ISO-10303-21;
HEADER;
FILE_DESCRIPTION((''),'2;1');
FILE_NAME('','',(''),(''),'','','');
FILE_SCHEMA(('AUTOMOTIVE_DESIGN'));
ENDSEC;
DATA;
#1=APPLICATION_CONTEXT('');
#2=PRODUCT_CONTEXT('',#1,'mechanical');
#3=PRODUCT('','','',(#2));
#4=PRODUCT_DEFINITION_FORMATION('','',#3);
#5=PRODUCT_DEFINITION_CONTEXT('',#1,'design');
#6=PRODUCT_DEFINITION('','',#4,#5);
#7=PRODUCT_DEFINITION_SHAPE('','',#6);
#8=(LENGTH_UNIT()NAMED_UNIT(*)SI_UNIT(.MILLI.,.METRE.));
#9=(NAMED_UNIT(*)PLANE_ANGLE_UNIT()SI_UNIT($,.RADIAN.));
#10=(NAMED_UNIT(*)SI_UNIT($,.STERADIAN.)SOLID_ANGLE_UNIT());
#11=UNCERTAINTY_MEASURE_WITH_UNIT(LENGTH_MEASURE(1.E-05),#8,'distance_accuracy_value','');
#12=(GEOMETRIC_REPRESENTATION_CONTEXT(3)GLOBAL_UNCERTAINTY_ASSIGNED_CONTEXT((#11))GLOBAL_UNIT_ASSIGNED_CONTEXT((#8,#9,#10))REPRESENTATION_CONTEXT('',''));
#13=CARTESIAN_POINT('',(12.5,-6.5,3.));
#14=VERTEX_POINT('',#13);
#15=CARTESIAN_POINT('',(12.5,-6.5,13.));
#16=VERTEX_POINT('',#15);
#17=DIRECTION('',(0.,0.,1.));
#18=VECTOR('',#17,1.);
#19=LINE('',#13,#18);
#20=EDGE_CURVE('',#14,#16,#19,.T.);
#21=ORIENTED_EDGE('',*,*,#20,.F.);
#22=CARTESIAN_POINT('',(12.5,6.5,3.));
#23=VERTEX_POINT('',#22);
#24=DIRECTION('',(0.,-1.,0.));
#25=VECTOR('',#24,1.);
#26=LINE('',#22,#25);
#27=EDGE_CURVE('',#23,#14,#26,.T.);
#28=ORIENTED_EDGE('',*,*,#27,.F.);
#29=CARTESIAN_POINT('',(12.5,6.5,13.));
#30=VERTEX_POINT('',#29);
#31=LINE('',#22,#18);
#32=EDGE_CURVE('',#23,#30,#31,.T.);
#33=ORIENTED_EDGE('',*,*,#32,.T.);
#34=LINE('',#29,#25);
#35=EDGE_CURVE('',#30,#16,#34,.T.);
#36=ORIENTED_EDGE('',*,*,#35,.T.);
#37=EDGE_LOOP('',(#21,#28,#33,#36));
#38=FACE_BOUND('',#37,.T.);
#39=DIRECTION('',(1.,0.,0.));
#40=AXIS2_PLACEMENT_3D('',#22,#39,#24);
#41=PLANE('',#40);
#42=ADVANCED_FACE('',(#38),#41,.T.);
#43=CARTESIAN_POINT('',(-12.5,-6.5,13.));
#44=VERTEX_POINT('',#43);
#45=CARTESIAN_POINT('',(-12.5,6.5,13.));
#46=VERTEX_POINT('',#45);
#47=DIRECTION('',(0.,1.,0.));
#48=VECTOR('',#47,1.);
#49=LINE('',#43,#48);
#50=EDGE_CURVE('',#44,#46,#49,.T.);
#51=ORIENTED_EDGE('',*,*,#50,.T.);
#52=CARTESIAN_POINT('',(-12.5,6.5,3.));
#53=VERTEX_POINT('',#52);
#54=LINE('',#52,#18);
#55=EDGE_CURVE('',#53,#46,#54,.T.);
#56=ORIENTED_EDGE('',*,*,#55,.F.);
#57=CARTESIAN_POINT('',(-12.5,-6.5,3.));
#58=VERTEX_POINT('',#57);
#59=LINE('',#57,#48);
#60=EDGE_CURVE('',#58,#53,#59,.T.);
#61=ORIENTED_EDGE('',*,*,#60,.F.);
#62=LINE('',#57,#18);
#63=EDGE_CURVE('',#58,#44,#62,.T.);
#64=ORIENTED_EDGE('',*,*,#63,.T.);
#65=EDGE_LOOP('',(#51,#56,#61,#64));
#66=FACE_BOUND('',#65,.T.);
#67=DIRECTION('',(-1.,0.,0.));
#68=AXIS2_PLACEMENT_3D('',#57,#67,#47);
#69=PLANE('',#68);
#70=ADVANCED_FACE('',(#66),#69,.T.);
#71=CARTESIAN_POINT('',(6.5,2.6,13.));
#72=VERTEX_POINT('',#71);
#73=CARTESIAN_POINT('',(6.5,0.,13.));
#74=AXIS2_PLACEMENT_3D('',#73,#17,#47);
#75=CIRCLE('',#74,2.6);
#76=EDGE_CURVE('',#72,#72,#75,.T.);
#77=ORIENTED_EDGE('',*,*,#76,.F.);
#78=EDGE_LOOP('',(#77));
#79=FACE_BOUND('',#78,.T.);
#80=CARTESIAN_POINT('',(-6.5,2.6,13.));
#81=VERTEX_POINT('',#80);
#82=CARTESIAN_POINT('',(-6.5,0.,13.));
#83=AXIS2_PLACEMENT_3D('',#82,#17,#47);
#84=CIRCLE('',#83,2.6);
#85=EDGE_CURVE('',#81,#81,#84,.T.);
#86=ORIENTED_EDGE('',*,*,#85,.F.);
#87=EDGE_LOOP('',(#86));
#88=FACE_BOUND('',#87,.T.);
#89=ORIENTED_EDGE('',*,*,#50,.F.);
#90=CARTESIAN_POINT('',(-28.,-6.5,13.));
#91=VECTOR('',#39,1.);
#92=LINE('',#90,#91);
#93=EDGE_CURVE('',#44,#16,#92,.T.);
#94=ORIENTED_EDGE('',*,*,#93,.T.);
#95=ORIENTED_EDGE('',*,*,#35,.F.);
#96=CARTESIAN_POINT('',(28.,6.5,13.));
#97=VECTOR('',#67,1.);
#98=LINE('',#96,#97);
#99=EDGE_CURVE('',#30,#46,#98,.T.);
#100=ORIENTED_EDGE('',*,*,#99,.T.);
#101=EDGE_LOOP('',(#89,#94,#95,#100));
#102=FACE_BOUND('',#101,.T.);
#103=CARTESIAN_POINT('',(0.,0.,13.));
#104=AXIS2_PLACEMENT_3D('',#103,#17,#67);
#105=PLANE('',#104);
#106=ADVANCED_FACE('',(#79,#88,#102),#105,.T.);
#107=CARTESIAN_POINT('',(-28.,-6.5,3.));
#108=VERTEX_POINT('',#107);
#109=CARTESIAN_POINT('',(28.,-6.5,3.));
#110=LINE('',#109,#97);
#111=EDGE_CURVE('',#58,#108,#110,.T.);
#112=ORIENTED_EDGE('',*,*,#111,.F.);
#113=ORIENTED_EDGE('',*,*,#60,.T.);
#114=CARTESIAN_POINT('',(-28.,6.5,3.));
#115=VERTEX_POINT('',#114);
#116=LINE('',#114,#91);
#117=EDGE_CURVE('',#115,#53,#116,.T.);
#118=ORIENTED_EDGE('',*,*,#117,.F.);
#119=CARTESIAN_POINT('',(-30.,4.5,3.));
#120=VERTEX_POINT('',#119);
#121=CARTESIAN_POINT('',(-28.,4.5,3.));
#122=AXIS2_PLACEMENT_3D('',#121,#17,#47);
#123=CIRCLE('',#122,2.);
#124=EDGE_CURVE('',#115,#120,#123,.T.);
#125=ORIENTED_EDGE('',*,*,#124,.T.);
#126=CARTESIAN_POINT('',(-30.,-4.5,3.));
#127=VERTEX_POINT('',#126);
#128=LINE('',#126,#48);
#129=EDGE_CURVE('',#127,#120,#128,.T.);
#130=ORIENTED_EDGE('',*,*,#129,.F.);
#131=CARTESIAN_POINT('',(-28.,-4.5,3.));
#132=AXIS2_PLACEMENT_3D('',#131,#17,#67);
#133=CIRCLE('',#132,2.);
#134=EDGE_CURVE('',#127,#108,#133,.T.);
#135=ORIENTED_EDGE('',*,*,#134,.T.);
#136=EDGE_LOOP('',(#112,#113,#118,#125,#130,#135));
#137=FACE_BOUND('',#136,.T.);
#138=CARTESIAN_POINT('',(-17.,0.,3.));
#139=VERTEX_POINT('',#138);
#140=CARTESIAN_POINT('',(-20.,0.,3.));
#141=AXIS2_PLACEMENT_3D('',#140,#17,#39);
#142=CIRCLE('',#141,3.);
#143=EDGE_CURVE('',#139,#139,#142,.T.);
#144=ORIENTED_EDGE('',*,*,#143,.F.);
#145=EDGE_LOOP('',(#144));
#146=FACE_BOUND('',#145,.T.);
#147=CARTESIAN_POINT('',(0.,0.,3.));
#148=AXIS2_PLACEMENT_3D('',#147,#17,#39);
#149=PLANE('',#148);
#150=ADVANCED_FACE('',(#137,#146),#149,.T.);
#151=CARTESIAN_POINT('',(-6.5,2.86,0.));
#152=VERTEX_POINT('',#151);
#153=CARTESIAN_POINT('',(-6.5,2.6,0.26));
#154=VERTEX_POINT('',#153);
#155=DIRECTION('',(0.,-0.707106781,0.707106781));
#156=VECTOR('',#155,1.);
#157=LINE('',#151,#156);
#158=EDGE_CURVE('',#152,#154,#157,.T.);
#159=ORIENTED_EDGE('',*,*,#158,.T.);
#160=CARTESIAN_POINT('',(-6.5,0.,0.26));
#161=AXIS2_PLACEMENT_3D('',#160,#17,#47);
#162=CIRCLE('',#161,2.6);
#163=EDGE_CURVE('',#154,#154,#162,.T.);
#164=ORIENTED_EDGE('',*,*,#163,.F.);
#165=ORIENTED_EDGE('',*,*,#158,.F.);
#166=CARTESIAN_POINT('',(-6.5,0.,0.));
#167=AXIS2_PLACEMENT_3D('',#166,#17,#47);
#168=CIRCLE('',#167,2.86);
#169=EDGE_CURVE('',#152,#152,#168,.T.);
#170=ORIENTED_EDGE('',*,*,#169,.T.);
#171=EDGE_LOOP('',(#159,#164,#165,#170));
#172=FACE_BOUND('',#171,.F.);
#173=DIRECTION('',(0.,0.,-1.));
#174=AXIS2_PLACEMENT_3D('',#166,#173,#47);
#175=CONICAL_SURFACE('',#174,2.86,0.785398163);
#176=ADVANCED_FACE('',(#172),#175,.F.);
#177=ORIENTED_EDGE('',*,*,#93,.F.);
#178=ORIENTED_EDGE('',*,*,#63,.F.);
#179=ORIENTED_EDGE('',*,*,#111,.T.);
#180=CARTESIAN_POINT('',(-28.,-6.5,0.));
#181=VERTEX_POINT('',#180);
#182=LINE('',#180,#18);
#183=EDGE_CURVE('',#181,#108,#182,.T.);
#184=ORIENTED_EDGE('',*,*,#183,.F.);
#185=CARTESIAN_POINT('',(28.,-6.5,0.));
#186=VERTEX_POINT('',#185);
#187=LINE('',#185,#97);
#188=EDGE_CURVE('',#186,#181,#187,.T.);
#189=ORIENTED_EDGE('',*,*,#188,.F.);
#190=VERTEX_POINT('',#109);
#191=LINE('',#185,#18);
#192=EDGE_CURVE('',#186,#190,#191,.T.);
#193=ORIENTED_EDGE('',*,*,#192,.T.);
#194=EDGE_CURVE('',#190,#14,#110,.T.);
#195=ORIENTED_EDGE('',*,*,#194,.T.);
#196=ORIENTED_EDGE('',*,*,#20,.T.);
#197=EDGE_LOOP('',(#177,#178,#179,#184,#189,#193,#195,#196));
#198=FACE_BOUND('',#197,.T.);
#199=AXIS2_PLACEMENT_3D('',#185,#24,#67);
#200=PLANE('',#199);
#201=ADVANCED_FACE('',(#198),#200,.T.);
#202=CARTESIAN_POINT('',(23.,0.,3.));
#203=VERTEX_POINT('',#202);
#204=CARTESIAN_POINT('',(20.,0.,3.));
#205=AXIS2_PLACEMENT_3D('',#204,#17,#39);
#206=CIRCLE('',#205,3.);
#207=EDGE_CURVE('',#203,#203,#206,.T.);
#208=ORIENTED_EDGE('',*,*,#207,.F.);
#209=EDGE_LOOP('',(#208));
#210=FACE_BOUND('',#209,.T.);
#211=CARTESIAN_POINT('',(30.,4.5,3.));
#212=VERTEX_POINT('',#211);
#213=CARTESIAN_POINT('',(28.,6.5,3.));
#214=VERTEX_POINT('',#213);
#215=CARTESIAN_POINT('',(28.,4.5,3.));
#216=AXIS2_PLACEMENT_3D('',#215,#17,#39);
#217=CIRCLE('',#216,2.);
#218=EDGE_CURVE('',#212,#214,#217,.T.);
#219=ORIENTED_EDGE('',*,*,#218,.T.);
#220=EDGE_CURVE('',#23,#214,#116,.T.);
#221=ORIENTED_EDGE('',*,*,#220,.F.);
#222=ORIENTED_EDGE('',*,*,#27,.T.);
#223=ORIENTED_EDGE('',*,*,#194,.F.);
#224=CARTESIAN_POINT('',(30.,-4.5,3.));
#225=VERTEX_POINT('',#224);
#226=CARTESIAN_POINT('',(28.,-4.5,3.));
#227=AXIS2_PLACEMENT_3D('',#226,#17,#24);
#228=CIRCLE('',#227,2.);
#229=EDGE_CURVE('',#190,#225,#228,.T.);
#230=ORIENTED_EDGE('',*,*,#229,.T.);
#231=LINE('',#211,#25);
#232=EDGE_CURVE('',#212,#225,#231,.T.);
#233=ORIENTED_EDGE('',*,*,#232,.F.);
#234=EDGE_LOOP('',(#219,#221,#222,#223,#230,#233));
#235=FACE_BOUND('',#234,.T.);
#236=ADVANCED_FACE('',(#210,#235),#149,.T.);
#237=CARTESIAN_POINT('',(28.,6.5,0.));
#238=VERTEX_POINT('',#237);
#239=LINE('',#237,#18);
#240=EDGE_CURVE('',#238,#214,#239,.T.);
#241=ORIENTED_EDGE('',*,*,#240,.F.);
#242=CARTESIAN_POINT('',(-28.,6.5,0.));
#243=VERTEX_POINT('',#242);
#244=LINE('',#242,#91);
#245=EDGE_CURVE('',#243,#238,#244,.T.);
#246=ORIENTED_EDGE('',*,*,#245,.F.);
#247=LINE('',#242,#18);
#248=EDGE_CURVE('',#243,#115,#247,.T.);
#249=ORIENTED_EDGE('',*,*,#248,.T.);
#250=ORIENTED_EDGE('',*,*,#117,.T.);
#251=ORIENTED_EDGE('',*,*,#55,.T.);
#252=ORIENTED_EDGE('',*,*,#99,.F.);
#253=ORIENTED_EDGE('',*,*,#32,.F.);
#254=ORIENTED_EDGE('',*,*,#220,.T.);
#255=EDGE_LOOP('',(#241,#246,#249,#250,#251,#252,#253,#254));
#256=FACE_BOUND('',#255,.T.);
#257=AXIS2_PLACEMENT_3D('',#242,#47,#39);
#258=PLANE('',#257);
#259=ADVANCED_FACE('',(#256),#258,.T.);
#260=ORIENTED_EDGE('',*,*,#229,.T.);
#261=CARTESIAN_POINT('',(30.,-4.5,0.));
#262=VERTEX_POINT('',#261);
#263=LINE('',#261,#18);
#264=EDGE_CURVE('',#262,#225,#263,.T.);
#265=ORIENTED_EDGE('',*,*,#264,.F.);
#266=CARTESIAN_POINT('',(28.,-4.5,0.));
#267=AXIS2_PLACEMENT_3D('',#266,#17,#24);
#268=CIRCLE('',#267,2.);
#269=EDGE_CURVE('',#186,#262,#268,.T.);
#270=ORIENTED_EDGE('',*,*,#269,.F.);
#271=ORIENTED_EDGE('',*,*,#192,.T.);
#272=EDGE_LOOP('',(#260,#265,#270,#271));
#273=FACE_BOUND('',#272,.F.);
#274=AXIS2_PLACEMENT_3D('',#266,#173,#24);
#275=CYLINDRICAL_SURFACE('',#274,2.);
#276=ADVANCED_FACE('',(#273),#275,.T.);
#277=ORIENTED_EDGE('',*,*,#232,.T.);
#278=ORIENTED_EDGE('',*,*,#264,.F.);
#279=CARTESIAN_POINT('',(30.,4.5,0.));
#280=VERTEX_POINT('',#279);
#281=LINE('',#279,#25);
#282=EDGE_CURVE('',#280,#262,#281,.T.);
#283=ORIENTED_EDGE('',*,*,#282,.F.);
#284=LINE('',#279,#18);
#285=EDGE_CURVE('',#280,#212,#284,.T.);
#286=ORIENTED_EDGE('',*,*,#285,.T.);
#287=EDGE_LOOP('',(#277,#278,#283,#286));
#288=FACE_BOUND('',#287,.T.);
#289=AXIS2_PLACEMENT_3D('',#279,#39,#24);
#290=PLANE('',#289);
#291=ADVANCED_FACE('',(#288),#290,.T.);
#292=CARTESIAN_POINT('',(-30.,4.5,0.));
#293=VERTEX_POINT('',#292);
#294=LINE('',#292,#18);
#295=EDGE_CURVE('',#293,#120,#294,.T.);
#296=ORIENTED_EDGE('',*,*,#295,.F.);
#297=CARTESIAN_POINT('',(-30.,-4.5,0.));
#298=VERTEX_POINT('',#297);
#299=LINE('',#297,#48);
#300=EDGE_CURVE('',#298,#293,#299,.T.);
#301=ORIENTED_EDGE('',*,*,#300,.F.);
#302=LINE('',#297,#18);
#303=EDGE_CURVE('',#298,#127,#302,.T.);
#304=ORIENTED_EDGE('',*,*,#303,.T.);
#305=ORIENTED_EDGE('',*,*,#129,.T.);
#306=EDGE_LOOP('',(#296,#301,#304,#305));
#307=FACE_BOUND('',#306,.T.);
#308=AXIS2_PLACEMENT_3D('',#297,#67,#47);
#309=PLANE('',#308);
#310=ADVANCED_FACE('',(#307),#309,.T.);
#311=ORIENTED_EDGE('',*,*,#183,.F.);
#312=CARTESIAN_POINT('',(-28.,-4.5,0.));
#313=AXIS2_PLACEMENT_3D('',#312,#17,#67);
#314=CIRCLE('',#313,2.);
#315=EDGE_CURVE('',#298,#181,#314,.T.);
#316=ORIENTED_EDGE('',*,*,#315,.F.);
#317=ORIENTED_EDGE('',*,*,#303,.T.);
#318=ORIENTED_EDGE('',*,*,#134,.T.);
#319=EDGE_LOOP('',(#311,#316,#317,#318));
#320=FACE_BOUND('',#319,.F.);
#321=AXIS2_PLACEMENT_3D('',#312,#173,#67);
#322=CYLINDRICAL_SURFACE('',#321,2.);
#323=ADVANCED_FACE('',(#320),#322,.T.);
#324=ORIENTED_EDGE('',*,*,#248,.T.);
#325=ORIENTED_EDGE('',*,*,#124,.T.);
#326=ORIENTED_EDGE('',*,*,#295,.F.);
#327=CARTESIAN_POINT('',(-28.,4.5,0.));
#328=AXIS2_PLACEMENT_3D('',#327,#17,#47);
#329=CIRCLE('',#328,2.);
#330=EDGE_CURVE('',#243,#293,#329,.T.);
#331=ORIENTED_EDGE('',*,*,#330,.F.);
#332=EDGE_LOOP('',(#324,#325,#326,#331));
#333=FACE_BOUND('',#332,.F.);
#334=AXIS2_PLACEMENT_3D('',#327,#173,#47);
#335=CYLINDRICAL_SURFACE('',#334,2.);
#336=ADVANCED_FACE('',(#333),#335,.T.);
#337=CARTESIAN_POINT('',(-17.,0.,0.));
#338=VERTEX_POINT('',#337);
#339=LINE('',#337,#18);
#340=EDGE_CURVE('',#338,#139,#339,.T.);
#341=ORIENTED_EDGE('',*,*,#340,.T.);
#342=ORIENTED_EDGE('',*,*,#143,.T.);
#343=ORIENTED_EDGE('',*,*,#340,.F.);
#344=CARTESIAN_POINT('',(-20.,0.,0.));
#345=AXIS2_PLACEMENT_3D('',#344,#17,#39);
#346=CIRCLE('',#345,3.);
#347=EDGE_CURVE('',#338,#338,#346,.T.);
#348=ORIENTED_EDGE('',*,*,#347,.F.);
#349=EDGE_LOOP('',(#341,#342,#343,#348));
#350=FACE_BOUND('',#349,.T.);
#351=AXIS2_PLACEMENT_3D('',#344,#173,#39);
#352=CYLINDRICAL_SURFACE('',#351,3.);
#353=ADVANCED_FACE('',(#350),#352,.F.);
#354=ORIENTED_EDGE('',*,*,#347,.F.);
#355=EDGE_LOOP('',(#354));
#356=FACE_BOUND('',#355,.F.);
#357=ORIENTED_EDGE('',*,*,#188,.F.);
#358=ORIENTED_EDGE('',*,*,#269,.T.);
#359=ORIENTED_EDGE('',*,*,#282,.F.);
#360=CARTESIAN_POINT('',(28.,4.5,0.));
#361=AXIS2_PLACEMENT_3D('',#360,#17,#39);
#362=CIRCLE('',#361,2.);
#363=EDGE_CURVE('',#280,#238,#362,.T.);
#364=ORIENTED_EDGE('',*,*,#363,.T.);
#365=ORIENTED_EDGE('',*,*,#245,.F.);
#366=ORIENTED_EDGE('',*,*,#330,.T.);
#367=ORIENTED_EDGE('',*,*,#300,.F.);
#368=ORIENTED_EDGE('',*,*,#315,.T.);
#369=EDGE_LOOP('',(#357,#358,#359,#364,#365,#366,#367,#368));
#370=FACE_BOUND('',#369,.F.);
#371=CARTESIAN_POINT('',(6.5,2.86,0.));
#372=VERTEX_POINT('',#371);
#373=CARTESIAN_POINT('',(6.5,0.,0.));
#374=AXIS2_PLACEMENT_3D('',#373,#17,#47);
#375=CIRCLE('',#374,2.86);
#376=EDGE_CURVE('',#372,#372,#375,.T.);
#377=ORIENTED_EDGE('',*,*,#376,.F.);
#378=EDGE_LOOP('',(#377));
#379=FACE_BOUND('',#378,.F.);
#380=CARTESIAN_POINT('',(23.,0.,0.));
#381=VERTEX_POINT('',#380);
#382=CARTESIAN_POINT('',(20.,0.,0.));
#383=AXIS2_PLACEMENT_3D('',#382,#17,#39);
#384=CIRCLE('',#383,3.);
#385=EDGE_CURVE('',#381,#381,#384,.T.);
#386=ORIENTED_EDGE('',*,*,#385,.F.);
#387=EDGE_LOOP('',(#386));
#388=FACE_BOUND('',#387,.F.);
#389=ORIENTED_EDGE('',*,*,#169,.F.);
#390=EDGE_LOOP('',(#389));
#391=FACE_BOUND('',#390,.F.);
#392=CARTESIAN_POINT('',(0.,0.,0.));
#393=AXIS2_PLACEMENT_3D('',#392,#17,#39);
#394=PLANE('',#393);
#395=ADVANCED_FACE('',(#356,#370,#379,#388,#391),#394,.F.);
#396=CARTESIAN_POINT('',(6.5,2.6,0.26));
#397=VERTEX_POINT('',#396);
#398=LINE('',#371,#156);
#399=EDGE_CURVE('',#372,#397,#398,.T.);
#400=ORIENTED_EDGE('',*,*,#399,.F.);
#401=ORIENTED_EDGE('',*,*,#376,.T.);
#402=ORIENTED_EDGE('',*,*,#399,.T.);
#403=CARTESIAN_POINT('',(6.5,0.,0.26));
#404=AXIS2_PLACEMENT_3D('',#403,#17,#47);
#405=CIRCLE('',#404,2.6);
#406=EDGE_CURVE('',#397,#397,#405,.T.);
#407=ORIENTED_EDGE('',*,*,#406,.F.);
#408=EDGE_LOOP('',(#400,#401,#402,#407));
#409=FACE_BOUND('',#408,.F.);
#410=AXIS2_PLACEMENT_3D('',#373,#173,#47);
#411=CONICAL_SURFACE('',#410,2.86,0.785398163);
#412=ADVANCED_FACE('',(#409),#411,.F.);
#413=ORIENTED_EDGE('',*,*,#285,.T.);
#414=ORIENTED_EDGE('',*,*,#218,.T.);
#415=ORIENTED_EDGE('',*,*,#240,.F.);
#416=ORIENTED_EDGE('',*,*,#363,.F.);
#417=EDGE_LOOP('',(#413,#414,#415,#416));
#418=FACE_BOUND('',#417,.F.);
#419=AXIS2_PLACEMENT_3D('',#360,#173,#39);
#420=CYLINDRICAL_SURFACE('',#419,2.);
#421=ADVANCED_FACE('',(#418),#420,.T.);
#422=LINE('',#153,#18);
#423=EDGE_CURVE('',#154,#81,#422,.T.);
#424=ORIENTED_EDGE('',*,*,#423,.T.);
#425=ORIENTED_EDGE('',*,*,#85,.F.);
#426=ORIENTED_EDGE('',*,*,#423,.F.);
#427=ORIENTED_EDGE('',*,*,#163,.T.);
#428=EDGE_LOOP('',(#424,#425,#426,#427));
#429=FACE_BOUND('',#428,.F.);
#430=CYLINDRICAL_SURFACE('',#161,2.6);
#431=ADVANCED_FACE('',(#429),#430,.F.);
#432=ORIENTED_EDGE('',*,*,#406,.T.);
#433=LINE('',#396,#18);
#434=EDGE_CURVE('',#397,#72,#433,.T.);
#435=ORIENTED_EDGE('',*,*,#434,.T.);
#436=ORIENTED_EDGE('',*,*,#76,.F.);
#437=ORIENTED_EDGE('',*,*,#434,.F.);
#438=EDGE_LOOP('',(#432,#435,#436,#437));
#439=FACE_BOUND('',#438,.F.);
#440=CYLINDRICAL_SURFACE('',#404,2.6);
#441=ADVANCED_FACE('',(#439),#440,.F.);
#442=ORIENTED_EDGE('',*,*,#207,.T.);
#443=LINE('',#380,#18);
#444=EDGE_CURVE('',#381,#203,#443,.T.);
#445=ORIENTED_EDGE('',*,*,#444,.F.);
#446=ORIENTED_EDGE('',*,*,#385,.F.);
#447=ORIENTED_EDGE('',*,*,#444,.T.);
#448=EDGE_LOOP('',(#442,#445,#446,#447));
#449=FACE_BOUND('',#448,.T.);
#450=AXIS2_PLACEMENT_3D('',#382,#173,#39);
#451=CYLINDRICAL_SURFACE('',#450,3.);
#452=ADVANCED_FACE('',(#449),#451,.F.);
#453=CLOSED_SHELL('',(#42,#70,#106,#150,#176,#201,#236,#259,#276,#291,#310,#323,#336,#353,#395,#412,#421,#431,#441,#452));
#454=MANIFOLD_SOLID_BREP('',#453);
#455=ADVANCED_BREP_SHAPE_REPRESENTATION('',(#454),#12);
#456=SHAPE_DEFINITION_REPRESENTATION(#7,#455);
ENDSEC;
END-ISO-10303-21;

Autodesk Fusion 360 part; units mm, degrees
sketch "Sketch1" plane through (0, 0, 0) normal (0, 0, 1) x (1, 0, 0)
  line L0 (28, -6.5) -> (-28, -6.5)
  line L1 (-30, -4.5) -> (-30, 4.5)
  line L2 (-28, 6.5) -> (28, 6.5)
  line L3 (30, 4.5) -> (30, -4.5)
  line L4 (30, -6.5) -> (-30, 6.5) construction
  line L5 (-30, -6.5) -> (30, 6.5) construction
  line L6 (0, 0) -> (20, 0) construction
  line L7 (0, 0) -> (-20, 0) construction
  arc A0 (30, 4.5) -> (28, 6.5) centre (28, 4.5) ccw
  arc A1 (28, -6.5) -> (30, -4.5) centre (28, -4.5) ccw
  arc A2 (-30, -4.5) -> (-28, -6.5) centre (-28, -4.5) ccw
  arc A3 (-28, 6.5) -> (-30, 4.5) centre (-28, 4.5) ccw
  circle A4 centre (20, 0) radius 3
  circle A5 centre (-20, 0) radius 3
  dimension "d1" = 60
  dimension "d2" = 13
  dimension "d3" = 20
  dimension "d4" = 2
  dimension "d5" = 20
  dimension "d6" = 6
  dimension "d7" = 6
extrude "Extrude1" add sketch "Sketch1" along normal blind 3
sketch "Sketch2" plane through (0, 0, 3) normal (0, 0, 1) x (-1, 0, 0)
  circle A0 centre (-20, 0) radius 3
  circle A1 centre (20, 0) radius 3
  arc A2 (-30, -4.5) -> (-28, -6.5) centre (-28, -4.5) ccw
  line L0 (-28, -6.5) -> (28, -6.5)
  arc A3 (28, -6.5) -> (30, -4.5) centre (28, -4.5) ccw
  line L1 (30, -4.5) -> (30, 4.5)
  arc A4 (30, 4.5) -> (28, 6.5) centre (28, 4.5) ccw
  line L2 (28, 6.5) -> (-28, 6.5)
  arc A5 (-28, 6.5) -> (-30, 4.5) centre (-28, 4.5) ccw
  line L3 (-30, 4.5) -> (-30, -4.5)
  line L4 (-12.5, 6.5) -> (12.5, 6.5)
  line L5 (12.5, 6.5) -> (12.5, -6.5)
  line L6 (12.5, -6.5) -> (-12.5, -6.5)
  line L7 (-12.5, -6.5) -> (-12.5, 6.5)
  line L8 (-12.5, 6.5) -> (12.5, -6.5) construction
  line L9 (12.5, 6.5) -> (-12.5, -6.5) construction
  line L10 (0, 0) -> (-6.5, 0) construction
  line L11 (0, 0) -> (6.5, 0) construction
  dimension "d10" = 25
  dimension "d11" = 6.5
  dimension "d12" = 6.5
extrude "Extrude2" add sketch "Sketch2" along normal blind 10 contours L0 L2 L4 L5 L6 L7
sketch "Sketch3" plane through (0, 0, 0) normal (0, 0, 1) x (-1, 0, 0)
  line L0 (-12.5, -6.5) -> (12.5, -6.5)
  line L1 (12.5, -6.5) -> (12.5, 6.5)
  line L2 (12.5, 6.5) -> (-12.5, 6.5)
  line L3 (-12.5, 6.5) -> (-12.5, -6.5)
  line L4 (0, 0) -> (-6.5, 0) construction
  line L5 (0, 0) -> (6.5, 0) construction
  circle A0 centre (-6.5, 0) radius 2.6
  line L6 (0, 0) -> (0, -2) construction
  circle A1 centre (6.5, 0) radius 2.6
  circle A2 centre (-20, 0) radius 3
  circle A3 centre (20, 0) radius 3
  arc A4 (-30, -4.5) -> (-28, -6.5) centre (-28, -4.5) ccw
  line L7 (-30, -4.5) -> (-30, 4.5)
  arc A5 (-28, 6.5) -> (-30, 4.5) centre (-28, 4.5) ccw
  line L8 (-28, 6.5) -> (28, 6.5)
  arc A6 (30, 4.5) -> (28, 6.5) centre (28, 4.5) ccw
  line L9 (30, 4.5) -> (30, -4.5)
  arc A7 (28, -6.5) -> (30, -4.5) centre (28, -4.5) ccw
  line L10 (28, -6.5) -> (-28, -6.5)
  dimension "d15" = 6.5
  dimension "d16" = 6.5
  dimension "d17" = 5.2
  dimension "d18" = 2
hole "Hole1" at (6.5, 0, 0) at (-6.5, 0, 0) direction (0, 0, 1) diameter 5.2 depth 13 tip angle 90 countersink diameter 5.72 countersink angle 90
